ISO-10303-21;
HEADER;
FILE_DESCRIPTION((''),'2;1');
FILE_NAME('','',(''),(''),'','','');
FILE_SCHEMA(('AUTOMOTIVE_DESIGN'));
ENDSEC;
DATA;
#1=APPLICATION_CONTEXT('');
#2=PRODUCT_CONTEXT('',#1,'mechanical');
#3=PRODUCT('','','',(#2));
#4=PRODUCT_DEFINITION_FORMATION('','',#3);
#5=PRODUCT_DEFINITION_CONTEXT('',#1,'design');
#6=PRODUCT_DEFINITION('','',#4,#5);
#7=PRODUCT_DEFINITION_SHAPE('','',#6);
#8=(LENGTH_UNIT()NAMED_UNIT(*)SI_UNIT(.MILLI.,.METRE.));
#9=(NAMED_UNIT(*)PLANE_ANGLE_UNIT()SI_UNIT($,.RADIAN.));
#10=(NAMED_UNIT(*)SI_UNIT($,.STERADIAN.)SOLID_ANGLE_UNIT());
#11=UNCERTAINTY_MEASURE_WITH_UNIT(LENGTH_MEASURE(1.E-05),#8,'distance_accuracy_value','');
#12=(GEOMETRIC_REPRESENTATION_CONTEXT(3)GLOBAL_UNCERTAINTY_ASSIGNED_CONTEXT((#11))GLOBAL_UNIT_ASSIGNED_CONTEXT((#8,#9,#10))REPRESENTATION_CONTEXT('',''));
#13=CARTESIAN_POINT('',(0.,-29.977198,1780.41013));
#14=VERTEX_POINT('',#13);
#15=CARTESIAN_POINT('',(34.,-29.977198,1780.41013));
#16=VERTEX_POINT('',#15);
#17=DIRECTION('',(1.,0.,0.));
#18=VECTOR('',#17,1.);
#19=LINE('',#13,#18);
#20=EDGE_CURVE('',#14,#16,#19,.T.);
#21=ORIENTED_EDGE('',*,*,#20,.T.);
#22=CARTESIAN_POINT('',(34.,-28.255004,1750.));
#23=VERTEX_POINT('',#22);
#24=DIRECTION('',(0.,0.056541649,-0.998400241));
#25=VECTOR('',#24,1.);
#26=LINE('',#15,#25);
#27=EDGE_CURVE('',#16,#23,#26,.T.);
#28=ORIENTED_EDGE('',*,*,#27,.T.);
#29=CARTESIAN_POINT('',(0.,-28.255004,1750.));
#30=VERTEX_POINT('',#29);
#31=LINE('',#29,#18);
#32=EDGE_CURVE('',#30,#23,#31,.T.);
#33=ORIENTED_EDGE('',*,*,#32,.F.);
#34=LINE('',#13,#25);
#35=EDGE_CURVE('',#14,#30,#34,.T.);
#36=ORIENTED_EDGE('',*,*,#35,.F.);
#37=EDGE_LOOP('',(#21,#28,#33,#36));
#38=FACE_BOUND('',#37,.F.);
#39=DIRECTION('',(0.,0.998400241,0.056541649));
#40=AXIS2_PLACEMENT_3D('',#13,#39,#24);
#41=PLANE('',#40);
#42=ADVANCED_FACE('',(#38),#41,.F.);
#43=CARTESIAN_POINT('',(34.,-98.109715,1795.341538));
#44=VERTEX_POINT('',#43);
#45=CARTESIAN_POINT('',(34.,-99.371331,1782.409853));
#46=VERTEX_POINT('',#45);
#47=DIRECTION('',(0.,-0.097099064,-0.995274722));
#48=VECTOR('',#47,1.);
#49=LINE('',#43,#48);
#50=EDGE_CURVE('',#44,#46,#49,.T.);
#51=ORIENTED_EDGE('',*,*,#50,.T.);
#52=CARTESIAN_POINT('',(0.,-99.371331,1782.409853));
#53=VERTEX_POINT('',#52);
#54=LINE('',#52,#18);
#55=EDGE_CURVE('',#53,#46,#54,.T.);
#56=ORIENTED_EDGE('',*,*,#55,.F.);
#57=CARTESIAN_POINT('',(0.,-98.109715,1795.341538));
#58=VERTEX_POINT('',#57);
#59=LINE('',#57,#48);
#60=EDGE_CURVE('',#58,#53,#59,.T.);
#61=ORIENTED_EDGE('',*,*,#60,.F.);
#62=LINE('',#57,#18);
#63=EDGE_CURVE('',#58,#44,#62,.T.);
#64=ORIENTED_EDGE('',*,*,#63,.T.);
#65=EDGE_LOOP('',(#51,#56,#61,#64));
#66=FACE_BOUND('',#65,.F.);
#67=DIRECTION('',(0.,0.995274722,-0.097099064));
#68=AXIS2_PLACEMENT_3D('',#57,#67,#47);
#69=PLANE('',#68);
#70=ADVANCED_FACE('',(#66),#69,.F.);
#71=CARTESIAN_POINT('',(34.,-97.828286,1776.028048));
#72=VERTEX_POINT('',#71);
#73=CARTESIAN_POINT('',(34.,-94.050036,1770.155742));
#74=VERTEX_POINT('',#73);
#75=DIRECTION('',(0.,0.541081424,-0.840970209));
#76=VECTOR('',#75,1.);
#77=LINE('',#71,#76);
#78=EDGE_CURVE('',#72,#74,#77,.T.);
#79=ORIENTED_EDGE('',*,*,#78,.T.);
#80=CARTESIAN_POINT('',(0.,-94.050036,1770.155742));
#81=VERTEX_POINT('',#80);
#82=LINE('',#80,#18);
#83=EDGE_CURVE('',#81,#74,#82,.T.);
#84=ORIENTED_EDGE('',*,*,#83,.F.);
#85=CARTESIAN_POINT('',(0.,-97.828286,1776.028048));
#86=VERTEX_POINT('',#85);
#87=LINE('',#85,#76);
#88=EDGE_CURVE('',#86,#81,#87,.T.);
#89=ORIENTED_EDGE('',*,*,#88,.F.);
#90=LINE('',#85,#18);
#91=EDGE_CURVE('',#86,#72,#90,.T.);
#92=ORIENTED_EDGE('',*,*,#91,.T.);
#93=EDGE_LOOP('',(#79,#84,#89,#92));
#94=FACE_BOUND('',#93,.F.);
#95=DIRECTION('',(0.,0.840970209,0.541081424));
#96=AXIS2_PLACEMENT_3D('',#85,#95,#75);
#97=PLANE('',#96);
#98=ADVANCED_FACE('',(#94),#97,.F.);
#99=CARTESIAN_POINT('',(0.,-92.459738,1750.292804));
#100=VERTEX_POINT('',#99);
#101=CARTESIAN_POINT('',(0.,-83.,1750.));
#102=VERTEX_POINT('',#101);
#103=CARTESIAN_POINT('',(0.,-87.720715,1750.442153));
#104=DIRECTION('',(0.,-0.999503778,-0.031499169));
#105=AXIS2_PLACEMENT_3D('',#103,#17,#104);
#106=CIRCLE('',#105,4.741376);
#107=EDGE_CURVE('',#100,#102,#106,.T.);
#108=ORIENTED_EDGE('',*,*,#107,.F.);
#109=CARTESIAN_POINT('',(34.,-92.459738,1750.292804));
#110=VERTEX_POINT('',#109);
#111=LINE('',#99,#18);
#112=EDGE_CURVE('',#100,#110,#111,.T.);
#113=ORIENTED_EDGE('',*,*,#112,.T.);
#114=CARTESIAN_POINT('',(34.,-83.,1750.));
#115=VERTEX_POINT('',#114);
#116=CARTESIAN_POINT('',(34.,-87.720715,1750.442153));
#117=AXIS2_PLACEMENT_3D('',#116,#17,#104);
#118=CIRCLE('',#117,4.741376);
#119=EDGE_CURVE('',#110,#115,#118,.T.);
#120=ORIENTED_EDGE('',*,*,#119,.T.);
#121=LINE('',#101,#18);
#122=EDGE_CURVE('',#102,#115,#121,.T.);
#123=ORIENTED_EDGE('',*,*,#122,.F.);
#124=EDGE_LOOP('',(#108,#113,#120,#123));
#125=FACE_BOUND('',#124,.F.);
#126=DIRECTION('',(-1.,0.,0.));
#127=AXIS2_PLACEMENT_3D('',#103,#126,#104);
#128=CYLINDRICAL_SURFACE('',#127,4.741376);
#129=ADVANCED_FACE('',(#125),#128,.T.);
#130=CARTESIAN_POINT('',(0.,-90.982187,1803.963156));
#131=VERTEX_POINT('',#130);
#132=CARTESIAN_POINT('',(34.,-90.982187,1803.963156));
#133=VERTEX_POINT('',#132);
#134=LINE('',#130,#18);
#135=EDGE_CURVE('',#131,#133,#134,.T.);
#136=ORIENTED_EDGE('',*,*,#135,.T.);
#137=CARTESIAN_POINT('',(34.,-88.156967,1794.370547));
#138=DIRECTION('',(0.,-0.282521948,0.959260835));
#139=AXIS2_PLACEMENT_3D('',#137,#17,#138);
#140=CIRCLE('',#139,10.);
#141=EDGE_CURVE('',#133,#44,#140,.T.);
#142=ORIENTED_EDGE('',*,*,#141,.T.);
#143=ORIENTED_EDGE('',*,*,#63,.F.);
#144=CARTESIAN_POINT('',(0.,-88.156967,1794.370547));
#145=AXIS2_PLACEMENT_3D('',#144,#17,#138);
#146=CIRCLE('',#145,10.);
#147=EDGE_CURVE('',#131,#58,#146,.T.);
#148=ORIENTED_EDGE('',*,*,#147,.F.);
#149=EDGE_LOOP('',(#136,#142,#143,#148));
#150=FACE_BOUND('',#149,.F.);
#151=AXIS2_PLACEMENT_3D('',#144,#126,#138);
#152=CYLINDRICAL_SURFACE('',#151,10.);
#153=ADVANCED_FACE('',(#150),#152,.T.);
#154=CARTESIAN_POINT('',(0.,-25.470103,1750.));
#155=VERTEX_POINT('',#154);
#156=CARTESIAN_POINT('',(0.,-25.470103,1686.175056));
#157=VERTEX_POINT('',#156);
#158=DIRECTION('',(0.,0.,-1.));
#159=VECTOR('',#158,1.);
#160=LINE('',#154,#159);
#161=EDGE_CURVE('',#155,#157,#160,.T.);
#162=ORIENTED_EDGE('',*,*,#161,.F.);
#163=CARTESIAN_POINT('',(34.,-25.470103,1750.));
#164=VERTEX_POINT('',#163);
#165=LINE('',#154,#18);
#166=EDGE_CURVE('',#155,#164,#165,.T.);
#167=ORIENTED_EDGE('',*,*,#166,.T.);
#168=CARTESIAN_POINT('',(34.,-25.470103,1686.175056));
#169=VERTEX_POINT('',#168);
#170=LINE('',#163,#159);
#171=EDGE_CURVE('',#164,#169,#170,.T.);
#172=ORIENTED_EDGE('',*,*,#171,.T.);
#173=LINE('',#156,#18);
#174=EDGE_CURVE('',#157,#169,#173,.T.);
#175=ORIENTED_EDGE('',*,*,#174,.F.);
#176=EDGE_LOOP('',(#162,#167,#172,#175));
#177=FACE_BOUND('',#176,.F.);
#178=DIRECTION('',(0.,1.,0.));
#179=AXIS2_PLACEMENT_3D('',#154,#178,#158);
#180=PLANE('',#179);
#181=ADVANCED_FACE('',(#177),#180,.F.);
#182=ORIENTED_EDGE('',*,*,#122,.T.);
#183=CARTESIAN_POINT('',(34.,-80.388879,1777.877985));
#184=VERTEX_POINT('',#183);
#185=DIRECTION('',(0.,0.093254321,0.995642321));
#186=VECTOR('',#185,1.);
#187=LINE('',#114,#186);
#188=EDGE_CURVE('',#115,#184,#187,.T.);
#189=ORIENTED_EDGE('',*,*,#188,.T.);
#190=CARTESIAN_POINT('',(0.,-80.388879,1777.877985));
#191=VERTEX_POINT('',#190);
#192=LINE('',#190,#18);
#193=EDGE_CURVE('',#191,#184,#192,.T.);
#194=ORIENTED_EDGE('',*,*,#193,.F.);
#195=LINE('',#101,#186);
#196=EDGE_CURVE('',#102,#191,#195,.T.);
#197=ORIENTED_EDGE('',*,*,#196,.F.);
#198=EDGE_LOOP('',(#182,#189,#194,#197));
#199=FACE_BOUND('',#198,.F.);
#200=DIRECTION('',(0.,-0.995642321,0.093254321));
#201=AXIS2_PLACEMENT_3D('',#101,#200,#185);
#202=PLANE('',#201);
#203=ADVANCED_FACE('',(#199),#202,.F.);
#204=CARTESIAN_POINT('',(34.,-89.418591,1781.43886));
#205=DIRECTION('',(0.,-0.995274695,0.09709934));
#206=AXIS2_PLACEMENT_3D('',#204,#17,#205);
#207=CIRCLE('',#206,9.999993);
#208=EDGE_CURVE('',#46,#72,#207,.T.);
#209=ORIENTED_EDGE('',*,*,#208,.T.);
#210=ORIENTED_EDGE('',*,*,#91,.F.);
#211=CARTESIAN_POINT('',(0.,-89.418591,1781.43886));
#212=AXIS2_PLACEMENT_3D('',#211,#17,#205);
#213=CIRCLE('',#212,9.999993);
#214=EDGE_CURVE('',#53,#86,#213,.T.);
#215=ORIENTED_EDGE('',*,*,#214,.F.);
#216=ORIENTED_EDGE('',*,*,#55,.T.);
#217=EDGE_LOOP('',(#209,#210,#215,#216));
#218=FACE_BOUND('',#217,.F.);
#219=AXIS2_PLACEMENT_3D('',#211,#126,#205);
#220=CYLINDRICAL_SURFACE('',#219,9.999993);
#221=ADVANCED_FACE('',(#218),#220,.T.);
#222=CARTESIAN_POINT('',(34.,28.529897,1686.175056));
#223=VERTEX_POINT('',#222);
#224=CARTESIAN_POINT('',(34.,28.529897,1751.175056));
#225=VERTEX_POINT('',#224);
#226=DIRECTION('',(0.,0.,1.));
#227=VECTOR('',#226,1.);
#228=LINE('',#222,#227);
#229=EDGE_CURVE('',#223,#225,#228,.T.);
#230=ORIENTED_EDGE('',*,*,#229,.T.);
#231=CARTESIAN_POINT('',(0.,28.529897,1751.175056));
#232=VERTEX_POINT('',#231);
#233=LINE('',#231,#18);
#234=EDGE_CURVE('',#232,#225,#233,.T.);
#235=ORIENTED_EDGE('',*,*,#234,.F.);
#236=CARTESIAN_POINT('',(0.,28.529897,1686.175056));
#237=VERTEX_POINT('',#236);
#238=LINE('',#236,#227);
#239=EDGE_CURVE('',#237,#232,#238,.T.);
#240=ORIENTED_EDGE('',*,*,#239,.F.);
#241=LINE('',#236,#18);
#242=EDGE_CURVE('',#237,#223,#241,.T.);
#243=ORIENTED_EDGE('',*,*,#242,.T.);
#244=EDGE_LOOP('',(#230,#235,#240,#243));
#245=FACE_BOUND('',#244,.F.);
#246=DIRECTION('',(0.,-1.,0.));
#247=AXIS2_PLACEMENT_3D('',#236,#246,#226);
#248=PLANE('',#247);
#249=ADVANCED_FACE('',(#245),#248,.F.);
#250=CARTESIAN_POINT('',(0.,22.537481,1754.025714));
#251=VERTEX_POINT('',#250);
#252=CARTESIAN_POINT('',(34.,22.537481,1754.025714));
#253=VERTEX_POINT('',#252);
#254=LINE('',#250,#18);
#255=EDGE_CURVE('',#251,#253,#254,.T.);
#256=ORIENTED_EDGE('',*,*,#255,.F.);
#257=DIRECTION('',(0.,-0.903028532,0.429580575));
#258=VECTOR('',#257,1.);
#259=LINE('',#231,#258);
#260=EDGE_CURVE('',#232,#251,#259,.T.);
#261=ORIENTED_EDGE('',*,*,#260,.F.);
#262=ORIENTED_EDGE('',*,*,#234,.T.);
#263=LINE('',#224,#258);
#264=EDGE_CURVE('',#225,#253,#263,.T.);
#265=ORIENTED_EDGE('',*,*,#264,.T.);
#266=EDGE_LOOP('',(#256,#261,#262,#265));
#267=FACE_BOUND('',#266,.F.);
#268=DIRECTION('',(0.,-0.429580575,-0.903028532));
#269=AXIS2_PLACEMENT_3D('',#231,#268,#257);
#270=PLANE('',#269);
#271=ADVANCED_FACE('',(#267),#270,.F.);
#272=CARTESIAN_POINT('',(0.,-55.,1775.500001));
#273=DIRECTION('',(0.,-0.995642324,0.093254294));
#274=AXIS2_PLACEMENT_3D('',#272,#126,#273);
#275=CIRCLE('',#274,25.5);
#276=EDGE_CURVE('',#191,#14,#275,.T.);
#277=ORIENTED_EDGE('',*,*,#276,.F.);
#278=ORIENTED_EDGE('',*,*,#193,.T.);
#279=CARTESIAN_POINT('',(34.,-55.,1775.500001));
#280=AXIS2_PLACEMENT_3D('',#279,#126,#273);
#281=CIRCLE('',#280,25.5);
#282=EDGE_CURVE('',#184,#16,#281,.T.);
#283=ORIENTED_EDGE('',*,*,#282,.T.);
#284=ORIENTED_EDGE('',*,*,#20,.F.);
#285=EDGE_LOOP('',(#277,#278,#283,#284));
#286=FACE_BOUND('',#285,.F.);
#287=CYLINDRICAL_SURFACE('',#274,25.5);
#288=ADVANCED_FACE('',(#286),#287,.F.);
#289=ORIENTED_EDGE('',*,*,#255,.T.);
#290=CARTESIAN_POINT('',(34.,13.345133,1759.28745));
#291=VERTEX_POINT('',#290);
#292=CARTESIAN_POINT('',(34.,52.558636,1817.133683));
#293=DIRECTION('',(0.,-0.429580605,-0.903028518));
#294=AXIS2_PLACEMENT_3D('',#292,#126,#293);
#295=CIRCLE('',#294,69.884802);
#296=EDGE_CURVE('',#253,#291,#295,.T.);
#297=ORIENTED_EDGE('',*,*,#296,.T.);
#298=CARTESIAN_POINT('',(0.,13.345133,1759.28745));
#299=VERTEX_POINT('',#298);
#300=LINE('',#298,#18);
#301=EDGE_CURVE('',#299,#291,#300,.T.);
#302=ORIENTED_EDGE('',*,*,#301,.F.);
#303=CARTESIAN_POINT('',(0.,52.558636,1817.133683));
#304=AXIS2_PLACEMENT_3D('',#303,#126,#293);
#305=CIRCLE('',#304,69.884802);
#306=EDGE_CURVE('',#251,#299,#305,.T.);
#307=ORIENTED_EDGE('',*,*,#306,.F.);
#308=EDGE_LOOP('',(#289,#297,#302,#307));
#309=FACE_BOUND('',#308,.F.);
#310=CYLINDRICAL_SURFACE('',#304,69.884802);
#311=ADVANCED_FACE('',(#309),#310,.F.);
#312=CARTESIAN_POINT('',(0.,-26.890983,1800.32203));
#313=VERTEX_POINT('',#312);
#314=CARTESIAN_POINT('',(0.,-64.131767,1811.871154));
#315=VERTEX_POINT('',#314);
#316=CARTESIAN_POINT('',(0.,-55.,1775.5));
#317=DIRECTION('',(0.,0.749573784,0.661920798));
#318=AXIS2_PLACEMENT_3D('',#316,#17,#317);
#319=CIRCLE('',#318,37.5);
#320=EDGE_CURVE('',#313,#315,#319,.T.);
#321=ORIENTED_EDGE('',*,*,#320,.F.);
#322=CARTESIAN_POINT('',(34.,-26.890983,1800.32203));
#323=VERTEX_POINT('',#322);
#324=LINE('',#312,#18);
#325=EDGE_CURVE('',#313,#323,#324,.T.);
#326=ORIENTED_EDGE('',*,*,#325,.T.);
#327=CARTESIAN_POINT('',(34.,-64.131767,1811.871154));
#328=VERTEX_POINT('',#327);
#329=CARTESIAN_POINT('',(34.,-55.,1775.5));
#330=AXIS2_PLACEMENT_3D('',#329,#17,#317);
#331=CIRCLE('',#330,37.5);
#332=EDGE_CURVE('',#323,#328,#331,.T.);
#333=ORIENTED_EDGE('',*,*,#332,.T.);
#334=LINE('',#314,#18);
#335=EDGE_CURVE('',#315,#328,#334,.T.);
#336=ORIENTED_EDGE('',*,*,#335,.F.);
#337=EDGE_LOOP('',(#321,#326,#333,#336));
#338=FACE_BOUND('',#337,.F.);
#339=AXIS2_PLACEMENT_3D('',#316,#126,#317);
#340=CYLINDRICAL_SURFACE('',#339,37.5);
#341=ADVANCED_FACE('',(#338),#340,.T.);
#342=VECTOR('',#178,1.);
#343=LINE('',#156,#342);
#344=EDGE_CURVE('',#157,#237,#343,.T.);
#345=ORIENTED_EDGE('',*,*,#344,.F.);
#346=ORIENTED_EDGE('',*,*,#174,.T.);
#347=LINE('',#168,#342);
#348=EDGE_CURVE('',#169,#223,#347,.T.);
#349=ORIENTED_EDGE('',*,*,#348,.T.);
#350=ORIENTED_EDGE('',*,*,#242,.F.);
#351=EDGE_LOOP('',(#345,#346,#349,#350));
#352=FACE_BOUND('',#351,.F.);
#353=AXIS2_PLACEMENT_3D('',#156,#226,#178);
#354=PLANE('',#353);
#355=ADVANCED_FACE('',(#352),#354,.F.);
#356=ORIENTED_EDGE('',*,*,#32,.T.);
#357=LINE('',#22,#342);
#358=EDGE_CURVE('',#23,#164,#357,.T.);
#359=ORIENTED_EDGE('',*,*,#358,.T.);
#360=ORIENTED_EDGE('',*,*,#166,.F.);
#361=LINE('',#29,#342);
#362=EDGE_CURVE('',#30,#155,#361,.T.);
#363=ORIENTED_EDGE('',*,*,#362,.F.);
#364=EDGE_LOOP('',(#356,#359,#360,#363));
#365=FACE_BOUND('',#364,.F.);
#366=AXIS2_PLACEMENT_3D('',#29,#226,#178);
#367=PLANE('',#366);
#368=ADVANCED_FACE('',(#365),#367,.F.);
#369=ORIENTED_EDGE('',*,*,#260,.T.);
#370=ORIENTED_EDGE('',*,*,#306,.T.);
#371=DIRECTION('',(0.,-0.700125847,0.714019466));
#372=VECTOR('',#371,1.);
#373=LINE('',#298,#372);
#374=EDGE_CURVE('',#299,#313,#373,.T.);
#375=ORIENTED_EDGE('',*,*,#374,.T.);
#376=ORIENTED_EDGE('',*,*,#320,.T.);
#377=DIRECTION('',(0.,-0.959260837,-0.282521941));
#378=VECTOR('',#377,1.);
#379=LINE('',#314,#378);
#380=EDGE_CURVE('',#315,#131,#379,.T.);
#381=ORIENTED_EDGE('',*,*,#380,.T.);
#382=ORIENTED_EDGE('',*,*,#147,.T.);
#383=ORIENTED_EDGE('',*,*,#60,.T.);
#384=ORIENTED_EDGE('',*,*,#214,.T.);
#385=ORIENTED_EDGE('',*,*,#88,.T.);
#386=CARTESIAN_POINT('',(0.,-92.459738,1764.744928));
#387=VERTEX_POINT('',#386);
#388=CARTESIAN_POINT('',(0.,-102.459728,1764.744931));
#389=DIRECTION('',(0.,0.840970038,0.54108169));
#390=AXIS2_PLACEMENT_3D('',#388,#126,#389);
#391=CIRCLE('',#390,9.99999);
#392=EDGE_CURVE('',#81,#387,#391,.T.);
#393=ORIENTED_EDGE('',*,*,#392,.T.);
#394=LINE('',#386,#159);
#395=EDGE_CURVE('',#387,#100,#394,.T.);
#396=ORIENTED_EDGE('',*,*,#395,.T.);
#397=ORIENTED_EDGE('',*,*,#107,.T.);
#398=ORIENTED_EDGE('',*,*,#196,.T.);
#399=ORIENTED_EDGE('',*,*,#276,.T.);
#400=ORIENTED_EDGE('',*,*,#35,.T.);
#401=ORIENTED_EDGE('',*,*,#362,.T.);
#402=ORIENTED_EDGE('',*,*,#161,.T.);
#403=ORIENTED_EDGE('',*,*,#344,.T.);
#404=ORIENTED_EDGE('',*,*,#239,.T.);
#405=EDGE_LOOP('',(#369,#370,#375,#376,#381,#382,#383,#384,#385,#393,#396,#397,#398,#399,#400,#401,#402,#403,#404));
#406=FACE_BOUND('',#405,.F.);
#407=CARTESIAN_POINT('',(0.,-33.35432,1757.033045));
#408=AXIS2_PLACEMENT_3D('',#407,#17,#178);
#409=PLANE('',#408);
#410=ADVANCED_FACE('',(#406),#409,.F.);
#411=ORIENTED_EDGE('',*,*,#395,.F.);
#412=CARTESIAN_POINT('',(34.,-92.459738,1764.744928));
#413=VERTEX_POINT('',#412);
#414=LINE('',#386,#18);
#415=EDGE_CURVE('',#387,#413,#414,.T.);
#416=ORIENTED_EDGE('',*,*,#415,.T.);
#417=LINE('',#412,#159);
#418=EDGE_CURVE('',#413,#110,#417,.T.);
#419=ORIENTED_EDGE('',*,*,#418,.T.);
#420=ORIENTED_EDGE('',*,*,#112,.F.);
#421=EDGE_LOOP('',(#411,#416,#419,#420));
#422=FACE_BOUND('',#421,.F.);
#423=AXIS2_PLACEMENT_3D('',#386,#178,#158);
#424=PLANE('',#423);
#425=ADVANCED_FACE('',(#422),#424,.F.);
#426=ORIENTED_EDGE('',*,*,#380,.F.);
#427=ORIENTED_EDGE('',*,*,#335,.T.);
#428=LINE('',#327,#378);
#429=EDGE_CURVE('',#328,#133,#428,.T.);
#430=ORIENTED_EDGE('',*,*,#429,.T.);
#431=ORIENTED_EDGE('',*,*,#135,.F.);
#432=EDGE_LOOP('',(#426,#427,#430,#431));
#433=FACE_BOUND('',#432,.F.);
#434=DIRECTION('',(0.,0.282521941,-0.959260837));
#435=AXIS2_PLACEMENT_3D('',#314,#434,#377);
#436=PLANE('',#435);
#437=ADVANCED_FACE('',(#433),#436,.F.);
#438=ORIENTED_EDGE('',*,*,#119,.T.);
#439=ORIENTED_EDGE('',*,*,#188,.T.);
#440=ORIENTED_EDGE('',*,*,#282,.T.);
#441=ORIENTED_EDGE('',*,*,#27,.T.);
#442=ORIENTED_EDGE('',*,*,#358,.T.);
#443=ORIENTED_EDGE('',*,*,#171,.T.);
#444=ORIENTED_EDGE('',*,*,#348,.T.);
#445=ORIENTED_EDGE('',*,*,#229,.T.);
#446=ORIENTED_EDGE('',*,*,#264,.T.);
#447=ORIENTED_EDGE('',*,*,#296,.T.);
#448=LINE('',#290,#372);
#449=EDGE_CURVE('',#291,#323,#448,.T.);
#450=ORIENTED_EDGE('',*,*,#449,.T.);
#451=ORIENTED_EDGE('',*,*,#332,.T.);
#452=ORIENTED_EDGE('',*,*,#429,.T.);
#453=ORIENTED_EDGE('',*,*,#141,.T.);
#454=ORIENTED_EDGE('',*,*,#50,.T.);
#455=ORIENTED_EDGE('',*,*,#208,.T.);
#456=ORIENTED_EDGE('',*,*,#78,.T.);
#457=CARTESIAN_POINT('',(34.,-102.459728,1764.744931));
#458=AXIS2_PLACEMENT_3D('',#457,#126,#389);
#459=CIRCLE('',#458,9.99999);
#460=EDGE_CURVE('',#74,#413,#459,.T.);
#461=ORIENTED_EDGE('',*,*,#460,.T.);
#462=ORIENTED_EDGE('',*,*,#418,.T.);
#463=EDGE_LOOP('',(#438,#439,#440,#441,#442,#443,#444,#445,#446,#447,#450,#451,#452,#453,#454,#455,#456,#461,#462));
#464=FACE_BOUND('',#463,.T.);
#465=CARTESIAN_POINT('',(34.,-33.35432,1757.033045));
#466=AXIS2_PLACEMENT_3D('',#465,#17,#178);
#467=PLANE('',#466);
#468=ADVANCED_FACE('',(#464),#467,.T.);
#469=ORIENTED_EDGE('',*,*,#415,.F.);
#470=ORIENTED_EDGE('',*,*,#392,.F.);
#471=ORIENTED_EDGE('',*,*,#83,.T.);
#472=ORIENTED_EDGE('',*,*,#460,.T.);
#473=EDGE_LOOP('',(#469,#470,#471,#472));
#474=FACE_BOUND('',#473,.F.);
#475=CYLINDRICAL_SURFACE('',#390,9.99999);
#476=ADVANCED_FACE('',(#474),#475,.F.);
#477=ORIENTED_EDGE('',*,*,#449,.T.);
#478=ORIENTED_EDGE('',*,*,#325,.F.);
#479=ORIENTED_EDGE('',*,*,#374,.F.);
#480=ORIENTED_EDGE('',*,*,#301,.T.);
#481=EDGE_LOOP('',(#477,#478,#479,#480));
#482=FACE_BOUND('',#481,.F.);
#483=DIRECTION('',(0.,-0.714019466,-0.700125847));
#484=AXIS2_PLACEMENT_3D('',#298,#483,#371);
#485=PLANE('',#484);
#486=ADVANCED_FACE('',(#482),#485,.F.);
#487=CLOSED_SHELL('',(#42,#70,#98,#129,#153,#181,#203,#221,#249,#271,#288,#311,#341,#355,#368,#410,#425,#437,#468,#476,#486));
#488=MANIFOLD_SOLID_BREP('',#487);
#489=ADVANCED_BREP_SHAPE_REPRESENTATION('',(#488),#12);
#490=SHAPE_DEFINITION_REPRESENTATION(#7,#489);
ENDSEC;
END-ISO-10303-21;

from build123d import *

# Parameters (mm, degrees)
F1_DEPTH = 34


with BuildPart() as f1:
    # F0 (on Right) → F1 (new body)
    with BuildSketch(Plane.YZ):
        with BuildLine():
            ThreePointArc((-26.890983, 1800.32203), (-43.892365, 1811.317181), (-64.131767, 1811.871154))
            Line((-64.131767, 1811.871154), (-90.982187, 1803.963156))
            ThreePointArc((-90.982187, 1803.963156), (-95.864249, 1800.742189), (-98.109715, 1795.341538))
            Line((-98.109715, 1795.341538), (-99.371331, 1782.409853))
            ThreePointArc((-99.371331, 1782.409853), (-99.138499, 1779.088701), (-97.828286, 1776.028048))
            Line((-97.828286, 1776.028048), (-94.050036, 1770.155742))
            ThreePointArc((-94.050036, 1770.155742), (-92.865546, 1767.564766), (-92.459738, 1764.744928))
            Line((-92.459738, 1764.744928), (-92.459738, 1750.292804))
            ThreePointArc((-92.459738, 1750.292804), (-87.867403, 1745.703047), (-83, 1750))
            Line((-83, 1750), (-80.388879, 1777.877985))
            ThreePointArc((-80.388879, 1777.877985), (-56.279235, 1800.967893), (-29.977198, 1780.41013))
            Line((-29.977198, 1780.41013), (-28.255004, 1750))
            Line((-28.255004, 1750), (-25.470103, 1750))
            Line((-25.470103, 1750), (-25.470103, 1686.175056))
            Line((-25.470103, 1686.175056), (28.529897, 1686.175056))
            Line((28.529897, 1686.175056), (28.529897, 1751.175056))
            Line((28.529897, 1751.175056), (22.537481, 1754.025714))
            ThreePointArc((22.537481, 1754.025714), (17.84148, 1756.482182), (13.345133, 1759.28745))
            Line((13.345133, 1759.28745), (-26.890983, 1800.32203))
        make_face()
    extrude(amount=F1_DEPTH)


solid = f1.part
